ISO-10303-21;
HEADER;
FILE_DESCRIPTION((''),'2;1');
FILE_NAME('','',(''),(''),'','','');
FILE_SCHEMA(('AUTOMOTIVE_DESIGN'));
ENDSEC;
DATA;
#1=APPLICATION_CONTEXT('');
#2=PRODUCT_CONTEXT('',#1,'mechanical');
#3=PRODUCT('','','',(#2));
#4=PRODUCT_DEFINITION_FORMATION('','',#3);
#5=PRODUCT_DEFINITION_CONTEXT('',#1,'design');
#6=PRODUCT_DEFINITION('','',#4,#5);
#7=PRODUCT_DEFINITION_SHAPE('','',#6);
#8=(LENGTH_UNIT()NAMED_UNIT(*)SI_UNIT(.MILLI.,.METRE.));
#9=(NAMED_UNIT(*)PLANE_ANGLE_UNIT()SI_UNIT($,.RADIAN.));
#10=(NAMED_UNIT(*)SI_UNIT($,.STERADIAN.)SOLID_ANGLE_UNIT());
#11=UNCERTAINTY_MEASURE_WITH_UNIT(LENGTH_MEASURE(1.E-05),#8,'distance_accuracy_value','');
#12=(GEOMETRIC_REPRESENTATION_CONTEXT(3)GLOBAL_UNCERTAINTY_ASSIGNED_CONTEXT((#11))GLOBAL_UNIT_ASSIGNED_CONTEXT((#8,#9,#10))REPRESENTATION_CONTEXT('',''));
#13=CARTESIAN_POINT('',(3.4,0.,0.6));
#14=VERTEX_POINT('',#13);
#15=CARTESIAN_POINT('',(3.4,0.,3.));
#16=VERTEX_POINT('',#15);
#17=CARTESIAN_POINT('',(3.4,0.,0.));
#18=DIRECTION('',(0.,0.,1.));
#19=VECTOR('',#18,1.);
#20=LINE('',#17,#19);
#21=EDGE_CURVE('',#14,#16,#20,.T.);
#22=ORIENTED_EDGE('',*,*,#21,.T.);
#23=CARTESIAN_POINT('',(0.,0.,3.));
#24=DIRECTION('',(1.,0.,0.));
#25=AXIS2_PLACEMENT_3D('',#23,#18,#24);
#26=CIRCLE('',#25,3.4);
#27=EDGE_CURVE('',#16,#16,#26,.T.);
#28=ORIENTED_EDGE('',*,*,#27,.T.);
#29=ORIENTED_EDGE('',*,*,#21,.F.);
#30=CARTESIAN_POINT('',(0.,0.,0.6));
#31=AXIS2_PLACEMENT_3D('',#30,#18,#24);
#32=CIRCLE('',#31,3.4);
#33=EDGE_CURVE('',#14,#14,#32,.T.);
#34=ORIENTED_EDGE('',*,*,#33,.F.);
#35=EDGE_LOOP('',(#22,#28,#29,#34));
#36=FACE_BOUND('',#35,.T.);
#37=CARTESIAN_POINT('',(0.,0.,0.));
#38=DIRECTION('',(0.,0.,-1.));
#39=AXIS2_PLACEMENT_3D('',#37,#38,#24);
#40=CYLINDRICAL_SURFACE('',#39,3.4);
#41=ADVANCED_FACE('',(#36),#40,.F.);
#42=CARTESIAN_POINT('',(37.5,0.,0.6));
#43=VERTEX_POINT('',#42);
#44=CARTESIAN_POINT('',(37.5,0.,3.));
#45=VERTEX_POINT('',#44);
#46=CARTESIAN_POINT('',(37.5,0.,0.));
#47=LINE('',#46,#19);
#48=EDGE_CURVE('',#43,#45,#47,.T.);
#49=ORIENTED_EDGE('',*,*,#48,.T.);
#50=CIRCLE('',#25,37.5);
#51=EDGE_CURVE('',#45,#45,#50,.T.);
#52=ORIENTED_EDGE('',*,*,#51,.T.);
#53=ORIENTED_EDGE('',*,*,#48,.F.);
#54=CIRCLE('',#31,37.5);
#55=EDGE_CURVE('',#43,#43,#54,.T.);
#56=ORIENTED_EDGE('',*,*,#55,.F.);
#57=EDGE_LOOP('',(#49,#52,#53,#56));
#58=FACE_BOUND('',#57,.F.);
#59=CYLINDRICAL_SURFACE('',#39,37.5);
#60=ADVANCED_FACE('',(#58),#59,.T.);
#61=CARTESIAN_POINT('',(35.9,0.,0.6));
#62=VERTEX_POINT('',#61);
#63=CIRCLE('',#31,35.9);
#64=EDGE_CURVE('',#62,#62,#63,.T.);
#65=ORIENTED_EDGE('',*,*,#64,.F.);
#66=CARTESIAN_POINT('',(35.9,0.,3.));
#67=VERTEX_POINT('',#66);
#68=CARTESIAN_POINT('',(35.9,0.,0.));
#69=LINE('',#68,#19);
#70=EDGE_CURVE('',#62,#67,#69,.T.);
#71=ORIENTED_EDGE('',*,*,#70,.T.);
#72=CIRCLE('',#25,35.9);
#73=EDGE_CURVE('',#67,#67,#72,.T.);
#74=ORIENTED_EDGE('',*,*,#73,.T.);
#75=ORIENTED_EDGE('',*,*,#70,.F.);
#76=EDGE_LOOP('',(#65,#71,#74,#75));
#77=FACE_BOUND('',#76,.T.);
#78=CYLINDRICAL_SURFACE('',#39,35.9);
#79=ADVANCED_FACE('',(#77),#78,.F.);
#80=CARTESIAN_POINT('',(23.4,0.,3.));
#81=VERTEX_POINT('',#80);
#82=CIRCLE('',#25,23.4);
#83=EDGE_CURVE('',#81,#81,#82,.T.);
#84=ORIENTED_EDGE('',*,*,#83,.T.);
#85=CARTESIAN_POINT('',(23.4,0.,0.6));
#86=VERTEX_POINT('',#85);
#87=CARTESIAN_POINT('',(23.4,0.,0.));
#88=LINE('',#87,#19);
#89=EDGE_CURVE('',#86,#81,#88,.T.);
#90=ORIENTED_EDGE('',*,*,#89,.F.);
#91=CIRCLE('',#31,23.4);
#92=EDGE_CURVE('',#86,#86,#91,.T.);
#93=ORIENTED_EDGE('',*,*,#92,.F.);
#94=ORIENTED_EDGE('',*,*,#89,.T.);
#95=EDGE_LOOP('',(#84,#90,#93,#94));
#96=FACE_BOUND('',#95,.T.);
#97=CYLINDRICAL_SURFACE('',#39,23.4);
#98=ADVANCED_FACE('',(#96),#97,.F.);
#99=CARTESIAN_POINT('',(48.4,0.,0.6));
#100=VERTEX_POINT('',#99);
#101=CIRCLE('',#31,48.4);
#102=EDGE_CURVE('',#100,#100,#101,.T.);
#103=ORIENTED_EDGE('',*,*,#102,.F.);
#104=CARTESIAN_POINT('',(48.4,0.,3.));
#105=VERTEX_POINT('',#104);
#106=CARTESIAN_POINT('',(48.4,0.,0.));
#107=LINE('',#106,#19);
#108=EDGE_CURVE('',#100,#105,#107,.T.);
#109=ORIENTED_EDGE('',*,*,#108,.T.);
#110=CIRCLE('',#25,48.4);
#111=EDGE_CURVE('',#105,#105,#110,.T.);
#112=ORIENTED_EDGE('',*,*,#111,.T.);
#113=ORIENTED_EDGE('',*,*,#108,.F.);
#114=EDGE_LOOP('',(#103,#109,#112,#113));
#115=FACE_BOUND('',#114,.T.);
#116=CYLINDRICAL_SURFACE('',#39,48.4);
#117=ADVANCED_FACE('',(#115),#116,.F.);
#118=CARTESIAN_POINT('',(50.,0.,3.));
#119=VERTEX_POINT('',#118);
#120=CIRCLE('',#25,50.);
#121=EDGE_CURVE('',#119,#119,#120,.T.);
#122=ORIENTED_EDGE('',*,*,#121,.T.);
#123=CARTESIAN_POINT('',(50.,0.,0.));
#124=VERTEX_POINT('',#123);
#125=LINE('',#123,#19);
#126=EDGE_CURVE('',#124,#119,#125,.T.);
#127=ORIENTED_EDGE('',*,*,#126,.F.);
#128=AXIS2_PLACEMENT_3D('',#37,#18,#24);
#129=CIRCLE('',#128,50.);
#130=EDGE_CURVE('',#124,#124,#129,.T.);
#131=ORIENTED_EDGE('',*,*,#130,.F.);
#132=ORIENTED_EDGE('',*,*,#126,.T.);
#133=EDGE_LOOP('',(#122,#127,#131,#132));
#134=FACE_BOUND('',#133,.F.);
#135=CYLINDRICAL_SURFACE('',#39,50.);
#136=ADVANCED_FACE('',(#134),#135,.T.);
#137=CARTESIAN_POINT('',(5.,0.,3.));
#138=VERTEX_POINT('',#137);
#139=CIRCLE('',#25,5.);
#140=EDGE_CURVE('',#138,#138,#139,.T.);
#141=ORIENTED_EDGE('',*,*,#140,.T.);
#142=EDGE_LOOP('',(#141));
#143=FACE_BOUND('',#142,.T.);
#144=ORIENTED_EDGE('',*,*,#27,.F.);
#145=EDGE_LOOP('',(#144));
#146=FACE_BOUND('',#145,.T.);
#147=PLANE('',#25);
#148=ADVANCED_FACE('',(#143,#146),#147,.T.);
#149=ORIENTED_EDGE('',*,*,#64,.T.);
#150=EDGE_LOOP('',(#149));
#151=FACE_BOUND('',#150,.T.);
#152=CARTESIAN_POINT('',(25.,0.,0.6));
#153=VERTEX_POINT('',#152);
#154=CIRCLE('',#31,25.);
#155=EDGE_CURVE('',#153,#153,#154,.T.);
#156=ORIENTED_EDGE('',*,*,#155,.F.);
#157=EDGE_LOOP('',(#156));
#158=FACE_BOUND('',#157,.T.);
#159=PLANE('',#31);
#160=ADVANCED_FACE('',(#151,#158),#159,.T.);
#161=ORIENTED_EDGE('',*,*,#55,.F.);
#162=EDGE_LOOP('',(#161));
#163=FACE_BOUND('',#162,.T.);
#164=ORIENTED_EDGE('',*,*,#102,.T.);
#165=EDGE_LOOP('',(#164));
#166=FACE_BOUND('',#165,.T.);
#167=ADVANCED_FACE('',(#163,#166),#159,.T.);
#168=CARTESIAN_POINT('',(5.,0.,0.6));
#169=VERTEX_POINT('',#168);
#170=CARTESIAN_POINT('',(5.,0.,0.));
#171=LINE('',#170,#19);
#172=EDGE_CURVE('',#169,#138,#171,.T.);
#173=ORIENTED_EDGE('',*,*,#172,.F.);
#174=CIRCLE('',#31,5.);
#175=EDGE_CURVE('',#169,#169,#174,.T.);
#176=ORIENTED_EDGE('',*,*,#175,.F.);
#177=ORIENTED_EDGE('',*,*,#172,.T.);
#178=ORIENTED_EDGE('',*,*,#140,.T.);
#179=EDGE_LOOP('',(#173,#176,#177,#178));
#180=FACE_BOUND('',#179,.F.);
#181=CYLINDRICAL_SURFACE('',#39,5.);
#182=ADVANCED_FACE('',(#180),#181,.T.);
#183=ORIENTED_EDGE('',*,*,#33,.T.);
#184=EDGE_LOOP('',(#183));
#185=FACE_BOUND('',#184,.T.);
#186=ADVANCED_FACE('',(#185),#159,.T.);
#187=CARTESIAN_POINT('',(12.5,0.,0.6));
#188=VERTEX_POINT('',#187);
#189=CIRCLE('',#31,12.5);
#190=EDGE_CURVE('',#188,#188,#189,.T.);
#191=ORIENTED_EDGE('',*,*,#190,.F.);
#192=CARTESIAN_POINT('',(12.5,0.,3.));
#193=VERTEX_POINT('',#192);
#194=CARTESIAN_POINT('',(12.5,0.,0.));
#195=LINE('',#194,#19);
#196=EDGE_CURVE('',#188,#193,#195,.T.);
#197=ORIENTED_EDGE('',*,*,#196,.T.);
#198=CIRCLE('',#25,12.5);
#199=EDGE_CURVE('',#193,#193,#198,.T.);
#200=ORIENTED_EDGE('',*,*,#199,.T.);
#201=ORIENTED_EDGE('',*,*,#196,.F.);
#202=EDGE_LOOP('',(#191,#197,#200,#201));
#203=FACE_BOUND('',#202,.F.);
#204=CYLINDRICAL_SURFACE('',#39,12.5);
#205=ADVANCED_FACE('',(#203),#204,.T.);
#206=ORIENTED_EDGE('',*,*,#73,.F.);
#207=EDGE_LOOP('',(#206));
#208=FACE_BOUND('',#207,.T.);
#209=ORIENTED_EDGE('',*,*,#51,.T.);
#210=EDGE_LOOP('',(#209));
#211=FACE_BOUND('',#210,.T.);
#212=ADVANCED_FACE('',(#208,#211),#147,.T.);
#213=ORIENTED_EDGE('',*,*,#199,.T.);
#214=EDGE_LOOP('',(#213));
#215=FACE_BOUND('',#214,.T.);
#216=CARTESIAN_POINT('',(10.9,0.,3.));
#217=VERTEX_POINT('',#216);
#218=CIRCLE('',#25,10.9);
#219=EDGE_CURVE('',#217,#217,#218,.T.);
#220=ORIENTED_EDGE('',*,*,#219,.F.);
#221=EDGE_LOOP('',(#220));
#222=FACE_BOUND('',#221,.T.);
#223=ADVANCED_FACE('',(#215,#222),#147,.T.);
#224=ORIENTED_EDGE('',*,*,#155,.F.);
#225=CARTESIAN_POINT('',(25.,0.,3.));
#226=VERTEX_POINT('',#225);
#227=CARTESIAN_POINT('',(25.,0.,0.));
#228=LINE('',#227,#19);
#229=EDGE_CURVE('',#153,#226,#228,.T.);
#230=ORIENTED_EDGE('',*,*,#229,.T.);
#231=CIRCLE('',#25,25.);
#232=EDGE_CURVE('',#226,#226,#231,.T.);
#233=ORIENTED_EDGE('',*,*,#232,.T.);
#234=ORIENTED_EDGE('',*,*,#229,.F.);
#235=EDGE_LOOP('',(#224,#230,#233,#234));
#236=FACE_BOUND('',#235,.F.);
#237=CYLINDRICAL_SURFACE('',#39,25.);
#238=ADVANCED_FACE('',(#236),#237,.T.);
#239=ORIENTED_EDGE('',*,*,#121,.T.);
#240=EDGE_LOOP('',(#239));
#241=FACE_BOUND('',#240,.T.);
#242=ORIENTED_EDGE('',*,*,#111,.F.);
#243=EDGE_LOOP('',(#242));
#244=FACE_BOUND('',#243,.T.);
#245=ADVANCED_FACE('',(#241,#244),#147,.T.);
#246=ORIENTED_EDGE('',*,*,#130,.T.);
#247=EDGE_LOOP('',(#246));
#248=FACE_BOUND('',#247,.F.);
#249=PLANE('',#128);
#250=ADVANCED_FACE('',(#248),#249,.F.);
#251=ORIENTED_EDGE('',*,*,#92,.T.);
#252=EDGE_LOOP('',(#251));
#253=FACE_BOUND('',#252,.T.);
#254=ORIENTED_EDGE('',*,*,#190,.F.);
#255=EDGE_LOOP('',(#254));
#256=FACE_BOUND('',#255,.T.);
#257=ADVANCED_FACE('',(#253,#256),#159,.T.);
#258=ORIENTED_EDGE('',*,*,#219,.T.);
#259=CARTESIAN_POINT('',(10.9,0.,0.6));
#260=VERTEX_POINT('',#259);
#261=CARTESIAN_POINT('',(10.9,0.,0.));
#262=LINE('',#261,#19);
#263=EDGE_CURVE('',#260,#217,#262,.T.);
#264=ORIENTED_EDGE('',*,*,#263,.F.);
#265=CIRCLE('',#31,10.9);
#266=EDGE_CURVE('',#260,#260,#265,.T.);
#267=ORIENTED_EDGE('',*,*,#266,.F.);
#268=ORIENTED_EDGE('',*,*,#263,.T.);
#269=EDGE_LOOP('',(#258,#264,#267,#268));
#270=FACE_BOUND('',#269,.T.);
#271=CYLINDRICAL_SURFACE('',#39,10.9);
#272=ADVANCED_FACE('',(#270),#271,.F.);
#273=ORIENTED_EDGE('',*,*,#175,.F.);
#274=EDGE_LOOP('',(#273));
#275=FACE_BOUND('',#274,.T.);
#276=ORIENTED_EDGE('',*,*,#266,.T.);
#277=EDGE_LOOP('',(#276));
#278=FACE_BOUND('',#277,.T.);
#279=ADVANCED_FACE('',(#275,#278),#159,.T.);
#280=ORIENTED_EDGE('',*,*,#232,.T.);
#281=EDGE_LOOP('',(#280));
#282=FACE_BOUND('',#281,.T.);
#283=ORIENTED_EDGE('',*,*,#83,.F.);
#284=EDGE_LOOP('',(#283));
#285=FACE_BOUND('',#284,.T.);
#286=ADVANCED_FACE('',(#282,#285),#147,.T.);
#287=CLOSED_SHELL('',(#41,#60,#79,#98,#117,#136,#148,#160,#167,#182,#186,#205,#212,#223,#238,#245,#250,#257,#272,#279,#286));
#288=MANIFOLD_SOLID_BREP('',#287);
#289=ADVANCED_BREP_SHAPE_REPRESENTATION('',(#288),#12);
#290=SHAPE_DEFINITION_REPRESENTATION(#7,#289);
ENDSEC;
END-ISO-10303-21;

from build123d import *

# Parameters (mm, degrees)
F0_R     = 50
F0_R_2   = 48.4
F0_R_3   = 37.5
F0_R_4   = 35.9
F0_R_5   = 25
F0_R_6   = 23.4
F0_R_7   = 12.5
F0_R_8   = 10.9
F0_R_9   = 5
F0_R_10  = 3.4
F1_DEPTH = 3
F2_DEPTH = 0.6


with BuildPart() as f1:
    # F0 (on Top) → F1 (new body)
    with BuildSketch(Plane.XY):
        Circle(F0_R)
        Circle(F0_R_2, mode=Mode.SUBTRACT)
        Circle(F0_R_3)
        Circle(F0_R_4, mode=Mode.SUBTRACT)
        Circle(F0_R_5)
        Circle(F0_R_6, mode=Mode.SUBTRACT)
        Circle(F0_R_7)
        Circle(F0_R_8, mode=Mode.SUBTRACT)
        Circle(F0_R_9)
        Circle(F0_R_10, mode=Mode.SUBTRACT)
    extrude(amount=F1_DEPTH)

    # F0 (on Top) → F2 (join)
    with BuildSketch(Plane.XY):
        Circle(F0_R_2)
        Circle(F0_R_3, mode=Mode.SUBTRACT)
        Circle(F0_R_4)
        Circle(F0_R_5, mode=Mode.SUBTRACT)
        Circle(F0_R_6)
        Circle(F0_R_7, mode=Mode.SUBTRACT)
        Circle(F0_R_8)
        Circle(F0_R_9, mode=Mode.SUBTRACT)
        Circle(F0_R_10)
    extrude(amount=F2_DEPTH)


solid = f1.part
